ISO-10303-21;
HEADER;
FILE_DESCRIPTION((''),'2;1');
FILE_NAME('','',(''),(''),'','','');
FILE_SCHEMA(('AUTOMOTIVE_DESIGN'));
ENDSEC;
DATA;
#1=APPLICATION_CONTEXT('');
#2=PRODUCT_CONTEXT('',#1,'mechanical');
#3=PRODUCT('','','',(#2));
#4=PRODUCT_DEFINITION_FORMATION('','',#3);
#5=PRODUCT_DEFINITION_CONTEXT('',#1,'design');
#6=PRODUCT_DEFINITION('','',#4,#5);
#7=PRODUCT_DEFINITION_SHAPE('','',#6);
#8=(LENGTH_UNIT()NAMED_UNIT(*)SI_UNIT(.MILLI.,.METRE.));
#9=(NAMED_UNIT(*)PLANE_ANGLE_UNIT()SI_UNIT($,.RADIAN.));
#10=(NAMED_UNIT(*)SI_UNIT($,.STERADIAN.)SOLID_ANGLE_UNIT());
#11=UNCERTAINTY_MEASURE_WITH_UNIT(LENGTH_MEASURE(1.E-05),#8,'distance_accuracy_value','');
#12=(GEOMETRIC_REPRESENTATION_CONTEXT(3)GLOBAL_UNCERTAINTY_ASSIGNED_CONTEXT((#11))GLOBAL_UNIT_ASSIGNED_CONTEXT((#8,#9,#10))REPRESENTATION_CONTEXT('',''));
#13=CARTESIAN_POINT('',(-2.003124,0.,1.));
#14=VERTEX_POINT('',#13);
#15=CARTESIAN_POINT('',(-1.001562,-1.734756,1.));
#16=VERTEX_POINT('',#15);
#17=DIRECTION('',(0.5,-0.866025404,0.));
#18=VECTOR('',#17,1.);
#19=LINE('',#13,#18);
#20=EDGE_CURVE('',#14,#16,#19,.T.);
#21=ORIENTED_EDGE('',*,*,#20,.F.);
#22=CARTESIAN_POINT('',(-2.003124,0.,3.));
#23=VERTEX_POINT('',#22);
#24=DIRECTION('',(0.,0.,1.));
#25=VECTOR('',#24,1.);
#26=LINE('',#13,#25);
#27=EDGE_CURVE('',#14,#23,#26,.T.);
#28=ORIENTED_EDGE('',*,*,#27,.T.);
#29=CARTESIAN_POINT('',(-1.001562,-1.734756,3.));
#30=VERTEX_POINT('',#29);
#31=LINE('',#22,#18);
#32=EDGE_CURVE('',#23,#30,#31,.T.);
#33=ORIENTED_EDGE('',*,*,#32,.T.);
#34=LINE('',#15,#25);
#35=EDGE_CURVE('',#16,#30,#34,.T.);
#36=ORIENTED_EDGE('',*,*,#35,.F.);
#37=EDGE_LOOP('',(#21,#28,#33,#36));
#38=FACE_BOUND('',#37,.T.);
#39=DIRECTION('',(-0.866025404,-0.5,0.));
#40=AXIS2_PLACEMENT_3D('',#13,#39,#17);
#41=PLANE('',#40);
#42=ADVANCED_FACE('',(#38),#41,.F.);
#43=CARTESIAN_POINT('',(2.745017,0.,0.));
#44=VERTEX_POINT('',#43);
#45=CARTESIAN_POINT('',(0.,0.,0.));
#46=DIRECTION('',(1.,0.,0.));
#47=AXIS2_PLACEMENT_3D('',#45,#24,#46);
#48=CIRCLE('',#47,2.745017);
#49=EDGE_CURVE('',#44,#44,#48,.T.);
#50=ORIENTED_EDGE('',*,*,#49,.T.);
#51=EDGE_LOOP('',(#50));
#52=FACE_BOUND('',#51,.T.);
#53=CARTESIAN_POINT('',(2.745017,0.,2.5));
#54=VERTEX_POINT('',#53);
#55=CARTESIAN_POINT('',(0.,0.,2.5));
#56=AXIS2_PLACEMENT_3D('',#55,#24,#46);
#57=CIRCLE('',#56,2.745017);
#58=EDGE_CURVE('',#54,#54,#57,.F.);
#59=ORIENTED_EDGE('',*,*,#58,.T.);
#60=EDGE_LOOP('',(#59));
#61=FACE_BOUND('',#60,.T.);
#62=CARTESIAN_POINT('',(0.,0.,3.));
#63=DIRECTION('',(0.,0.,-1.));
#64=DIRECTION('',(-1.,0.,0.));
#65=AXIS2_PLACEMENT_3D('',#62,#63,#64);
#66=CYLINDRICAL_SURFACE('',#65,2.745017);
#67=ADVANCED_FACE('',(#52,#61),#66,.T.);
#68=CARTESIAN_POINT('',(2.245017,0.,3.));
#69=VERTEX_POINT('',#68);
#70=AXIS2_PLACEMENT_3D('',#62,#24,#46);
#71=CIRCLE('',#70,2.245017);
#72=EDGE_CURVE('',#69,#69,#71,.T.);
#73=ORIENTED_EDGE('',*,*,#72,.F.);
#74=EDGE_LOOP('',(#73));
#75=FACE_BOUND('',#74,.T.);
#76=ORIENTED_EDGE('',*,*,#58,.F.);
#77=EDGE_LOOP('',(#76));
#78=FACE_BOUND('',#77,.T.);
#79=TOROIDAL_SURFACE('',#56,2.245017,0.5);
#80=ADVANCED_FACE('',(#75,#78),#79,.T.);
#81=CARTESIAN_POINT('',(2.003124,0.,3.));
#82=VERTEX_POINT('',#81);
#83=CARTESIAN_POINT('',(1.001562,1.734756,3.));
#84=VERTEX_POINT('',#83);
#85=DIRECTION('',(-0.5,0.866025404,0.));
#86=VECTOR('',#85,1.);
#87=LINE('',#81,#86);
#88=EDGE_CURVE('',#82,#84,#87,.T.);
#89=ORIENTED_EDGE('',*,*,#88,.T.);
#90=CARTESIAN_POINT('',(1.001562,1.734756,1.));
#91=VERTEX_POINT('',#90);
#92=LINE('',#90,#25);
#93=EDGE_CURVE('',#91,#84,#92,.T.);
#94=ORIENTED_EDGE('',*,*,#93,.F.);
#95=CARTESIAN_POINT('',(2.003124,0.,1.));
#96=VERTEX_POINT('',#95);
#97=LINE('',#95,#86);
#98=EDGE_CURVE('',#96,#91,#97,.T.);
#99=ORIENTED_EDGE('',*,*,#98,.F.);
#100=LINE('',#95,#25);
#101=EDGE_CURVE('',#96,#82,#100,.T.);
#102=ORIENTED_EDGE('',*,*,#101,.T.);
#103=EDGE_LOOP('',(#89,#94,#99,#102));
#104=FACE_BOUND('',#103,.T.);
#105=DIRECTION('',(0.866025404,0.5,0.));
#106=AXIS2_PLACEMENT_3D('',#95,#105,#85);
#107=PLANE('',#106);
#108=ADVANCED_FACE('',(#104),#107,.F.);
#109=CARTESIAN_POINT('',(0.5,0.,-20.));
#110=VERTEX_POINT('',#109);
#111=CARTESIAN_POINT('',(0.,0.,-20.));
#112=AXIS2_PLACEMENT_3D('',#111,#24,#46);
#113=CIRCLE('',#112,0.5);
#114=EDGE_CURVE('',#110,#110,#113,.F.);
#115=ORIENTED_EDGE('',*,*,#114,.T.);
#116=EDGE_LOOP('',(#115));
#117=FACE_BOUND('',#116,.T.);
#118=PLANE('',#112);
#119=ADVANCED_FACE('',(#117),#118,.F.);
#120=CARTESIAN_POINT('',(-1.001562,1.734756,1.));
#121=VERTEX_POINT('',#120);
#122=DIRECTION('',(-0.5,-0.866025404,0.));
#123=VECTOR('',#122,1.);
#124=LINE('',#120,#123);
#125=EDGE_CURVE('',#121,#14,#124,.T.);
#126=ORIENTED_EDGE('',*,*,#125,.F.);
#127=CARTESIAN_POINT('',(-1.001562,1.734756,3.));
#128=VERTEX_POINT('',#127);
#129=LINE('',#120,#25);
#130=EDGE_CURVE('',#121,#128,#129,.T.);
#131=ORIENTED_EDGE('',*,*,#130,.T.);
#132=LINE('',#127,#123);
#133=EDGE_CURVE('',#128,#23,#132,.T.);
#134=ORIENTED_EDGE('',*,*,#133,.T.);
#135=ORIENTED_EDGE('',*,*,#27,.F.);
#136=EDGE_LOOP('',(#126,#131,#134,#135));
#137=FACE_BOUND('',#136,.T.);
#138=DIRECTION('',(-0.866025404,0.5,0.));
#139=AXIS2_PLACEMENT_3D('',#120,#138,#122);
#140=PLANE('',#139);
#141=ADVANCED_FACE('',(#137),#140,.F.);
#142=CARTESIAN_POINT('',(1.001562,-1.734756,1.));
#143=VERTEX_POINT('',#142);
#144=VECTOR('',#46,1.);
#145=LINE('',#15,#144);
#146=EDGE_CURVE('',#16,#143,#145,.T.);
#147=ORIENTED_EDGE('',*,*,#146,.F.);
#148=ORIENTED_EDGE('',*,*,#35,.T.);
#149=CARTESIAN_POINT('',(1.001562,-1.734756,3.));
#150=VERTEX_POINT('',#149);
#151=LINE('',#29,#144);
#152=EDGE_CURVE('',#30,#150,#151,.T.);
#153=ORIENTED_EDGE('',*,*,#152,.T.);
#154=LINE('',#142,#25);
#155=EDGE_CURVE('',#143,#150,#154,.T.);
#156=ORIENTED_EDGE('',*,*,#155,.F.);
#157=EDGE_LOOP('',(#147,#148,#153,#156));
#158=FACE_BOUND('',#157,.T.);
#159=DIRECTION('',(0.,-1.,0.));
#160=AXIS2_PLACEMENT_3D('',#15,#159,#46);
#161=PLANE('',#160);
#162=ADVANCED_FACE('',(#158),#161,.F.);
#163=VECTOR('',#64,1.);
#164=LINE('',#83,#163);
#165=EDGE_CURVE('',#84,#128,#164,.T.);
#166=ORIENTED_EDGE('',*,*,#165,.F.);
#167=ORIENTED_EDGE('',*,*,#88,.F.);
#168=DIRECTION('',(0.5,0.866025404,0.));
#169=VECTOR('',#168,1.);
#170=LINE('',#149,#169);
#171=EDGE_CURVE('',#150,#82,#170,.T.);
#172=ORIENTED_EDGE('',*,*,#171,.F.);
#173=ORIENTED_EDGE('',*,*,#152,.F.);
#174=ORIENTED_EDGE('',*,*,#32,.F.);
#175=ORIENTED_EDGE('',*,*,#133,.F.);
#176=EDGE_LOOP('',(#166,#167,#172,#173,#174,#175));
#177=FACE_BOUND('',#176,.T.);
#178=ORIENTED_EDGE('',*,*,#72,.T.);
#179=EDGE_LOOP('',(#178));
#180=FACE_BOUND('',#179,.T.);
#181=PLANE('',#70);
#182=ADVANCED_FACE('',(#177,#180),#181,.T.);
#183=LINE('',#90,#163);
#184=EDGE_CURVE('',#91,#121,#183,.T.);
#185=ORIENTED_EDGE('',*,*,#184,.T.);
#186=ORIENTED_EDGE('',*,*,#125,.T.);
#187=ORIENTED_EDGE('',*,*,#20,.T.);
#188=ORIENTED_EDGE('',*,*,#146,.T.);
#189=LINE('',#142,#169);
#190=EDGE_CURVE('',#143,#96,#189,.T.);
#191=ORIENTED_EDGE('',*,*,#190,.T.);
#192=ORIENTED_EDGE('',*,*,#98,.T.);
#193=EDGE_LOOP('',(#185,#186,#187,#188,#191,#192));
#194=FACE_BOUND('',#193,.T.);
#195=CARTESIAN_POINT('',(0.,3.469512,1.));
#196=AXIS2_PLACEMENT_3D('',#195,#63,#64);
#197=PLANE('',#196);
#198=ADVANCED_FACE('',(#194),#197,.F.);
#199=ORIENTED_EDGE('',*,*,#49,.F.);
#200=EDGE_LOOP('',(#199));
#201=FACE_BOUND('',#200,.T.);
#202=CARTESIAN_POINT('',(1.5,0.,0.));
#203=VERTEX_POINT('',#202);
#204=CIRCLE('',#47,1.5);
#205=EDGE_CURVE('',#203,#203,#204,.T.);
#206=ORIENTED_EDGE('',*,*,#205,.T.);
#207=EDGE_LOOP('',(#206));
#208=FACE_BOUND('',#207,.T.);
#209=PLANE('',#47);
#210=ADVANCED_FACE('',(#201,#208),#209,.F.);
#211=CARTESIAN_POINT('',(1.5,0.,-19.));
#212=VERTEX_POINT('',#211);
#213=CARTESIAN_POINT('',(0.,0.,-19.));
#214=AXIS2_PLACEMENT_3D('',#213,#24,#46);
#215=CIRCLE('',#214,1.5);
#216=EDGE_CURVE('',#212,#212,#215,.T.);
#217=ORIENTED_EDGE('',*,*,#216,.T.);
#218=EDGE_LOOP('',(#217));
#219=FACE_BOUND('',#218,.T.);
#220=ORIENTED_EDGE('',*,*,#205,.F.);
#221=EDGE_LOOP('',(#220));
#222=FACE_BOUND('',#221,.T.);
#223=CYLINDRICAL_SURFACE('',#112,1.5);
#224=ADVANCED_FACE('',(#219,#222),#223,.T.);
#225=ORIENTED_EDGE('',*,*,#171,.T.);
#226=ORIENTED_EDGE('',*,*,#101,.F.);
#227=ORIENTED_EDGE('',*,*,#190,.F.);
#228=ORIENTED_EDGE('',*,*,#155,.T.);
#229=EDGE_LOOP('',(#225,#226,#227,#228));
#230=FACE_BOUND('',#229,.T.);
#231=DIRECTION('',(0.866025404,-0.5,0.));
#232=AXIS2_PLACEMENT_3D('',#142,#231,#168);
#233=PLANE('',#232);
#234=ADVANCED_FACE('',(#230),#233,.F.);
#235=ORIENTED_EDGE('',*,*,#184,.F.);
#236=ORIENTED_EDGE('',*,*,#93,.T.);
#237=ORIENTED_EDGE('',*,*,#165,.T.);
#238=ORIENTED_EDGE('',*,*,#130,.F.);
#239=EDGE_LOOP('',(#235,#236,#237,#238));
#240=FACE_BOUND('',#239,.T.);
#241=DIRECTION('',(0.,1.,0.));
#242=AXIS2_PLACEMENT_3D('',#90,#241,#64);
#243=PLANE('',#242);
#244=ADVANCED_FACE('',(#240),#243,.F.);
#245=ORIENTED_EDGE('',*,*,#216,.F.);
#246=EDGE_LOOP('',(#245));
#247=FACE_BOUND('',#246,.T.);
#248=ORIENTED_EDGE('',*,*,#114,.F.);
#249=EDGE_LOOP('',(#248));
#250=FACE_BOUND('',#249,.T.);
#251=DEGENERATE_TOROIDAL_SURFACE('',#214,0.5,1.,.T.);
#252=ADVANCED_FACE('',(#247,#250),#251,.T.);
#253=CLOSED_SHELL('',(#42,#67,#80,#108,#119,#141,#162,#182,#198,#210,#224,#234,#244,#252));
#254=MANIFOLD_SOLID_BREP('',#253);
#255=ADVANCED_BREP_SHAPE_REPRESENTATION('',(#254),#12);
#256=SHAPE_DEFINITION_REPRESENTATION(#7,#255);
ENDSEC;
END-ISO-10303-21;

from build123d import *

# Parameters (mm, degrees)
SKETCH1_R          = 1.5
EXTRUDE1_DEPTH     = 20
SKETCH2_R          = 2.745016825
EXTRUDE2_DEPTH     = 3
CUT_EXTRUDE1_DEPTH = 2
FILLET1_R          = 0.5
FILLET2_R          = 1


with BuildPart() as part:
    # Sketch1 → Extrude1 (new body)
    with BuildSketch(Plane.XY):
        Circle(SKETCH1_R)
    extrude(amount=-EXTRUDE1_DEPTH)

    # Sketch2 → Extrude2 (add)
    with BuildSketch(Plane.XY):
        Circle(SKETCH2_R)
    extrude(amount=EXTRUDE2_DEPTH)

    # Sketch3 → Cut-Extrude1 (cut)
    with BuildSketch(Plane.XY.offset(3)):
        Polygon((-2.003123501, 0), (-1.00156175, -1.734755838), (1.00156175, -1.734755838), (2.003123501, 0), (1.00156175, 1.734755838), (-1.00156175, 1.734755838), align=None)
    extrude(amount=-CUT_EXTRUDE1_DEPTH, mode=Mode.SUBTRACT)

    # Fillet1
    fillet1_edges = [part.edges().sort_by_distance(p)[0] for p in [
        (-2.745016825, 0, 3),
    ]]
    fillet(fillet1_edges, radius=FILLET1_R)

    # Fillet2
    fillet2_edges = [part.edges().sort_by_distance(p)[0] for p in [
        (-1.5, 0, -20),
    ]]
    fillet(fillet2_edges, radius=FILLET2_R)


solid = part.part
